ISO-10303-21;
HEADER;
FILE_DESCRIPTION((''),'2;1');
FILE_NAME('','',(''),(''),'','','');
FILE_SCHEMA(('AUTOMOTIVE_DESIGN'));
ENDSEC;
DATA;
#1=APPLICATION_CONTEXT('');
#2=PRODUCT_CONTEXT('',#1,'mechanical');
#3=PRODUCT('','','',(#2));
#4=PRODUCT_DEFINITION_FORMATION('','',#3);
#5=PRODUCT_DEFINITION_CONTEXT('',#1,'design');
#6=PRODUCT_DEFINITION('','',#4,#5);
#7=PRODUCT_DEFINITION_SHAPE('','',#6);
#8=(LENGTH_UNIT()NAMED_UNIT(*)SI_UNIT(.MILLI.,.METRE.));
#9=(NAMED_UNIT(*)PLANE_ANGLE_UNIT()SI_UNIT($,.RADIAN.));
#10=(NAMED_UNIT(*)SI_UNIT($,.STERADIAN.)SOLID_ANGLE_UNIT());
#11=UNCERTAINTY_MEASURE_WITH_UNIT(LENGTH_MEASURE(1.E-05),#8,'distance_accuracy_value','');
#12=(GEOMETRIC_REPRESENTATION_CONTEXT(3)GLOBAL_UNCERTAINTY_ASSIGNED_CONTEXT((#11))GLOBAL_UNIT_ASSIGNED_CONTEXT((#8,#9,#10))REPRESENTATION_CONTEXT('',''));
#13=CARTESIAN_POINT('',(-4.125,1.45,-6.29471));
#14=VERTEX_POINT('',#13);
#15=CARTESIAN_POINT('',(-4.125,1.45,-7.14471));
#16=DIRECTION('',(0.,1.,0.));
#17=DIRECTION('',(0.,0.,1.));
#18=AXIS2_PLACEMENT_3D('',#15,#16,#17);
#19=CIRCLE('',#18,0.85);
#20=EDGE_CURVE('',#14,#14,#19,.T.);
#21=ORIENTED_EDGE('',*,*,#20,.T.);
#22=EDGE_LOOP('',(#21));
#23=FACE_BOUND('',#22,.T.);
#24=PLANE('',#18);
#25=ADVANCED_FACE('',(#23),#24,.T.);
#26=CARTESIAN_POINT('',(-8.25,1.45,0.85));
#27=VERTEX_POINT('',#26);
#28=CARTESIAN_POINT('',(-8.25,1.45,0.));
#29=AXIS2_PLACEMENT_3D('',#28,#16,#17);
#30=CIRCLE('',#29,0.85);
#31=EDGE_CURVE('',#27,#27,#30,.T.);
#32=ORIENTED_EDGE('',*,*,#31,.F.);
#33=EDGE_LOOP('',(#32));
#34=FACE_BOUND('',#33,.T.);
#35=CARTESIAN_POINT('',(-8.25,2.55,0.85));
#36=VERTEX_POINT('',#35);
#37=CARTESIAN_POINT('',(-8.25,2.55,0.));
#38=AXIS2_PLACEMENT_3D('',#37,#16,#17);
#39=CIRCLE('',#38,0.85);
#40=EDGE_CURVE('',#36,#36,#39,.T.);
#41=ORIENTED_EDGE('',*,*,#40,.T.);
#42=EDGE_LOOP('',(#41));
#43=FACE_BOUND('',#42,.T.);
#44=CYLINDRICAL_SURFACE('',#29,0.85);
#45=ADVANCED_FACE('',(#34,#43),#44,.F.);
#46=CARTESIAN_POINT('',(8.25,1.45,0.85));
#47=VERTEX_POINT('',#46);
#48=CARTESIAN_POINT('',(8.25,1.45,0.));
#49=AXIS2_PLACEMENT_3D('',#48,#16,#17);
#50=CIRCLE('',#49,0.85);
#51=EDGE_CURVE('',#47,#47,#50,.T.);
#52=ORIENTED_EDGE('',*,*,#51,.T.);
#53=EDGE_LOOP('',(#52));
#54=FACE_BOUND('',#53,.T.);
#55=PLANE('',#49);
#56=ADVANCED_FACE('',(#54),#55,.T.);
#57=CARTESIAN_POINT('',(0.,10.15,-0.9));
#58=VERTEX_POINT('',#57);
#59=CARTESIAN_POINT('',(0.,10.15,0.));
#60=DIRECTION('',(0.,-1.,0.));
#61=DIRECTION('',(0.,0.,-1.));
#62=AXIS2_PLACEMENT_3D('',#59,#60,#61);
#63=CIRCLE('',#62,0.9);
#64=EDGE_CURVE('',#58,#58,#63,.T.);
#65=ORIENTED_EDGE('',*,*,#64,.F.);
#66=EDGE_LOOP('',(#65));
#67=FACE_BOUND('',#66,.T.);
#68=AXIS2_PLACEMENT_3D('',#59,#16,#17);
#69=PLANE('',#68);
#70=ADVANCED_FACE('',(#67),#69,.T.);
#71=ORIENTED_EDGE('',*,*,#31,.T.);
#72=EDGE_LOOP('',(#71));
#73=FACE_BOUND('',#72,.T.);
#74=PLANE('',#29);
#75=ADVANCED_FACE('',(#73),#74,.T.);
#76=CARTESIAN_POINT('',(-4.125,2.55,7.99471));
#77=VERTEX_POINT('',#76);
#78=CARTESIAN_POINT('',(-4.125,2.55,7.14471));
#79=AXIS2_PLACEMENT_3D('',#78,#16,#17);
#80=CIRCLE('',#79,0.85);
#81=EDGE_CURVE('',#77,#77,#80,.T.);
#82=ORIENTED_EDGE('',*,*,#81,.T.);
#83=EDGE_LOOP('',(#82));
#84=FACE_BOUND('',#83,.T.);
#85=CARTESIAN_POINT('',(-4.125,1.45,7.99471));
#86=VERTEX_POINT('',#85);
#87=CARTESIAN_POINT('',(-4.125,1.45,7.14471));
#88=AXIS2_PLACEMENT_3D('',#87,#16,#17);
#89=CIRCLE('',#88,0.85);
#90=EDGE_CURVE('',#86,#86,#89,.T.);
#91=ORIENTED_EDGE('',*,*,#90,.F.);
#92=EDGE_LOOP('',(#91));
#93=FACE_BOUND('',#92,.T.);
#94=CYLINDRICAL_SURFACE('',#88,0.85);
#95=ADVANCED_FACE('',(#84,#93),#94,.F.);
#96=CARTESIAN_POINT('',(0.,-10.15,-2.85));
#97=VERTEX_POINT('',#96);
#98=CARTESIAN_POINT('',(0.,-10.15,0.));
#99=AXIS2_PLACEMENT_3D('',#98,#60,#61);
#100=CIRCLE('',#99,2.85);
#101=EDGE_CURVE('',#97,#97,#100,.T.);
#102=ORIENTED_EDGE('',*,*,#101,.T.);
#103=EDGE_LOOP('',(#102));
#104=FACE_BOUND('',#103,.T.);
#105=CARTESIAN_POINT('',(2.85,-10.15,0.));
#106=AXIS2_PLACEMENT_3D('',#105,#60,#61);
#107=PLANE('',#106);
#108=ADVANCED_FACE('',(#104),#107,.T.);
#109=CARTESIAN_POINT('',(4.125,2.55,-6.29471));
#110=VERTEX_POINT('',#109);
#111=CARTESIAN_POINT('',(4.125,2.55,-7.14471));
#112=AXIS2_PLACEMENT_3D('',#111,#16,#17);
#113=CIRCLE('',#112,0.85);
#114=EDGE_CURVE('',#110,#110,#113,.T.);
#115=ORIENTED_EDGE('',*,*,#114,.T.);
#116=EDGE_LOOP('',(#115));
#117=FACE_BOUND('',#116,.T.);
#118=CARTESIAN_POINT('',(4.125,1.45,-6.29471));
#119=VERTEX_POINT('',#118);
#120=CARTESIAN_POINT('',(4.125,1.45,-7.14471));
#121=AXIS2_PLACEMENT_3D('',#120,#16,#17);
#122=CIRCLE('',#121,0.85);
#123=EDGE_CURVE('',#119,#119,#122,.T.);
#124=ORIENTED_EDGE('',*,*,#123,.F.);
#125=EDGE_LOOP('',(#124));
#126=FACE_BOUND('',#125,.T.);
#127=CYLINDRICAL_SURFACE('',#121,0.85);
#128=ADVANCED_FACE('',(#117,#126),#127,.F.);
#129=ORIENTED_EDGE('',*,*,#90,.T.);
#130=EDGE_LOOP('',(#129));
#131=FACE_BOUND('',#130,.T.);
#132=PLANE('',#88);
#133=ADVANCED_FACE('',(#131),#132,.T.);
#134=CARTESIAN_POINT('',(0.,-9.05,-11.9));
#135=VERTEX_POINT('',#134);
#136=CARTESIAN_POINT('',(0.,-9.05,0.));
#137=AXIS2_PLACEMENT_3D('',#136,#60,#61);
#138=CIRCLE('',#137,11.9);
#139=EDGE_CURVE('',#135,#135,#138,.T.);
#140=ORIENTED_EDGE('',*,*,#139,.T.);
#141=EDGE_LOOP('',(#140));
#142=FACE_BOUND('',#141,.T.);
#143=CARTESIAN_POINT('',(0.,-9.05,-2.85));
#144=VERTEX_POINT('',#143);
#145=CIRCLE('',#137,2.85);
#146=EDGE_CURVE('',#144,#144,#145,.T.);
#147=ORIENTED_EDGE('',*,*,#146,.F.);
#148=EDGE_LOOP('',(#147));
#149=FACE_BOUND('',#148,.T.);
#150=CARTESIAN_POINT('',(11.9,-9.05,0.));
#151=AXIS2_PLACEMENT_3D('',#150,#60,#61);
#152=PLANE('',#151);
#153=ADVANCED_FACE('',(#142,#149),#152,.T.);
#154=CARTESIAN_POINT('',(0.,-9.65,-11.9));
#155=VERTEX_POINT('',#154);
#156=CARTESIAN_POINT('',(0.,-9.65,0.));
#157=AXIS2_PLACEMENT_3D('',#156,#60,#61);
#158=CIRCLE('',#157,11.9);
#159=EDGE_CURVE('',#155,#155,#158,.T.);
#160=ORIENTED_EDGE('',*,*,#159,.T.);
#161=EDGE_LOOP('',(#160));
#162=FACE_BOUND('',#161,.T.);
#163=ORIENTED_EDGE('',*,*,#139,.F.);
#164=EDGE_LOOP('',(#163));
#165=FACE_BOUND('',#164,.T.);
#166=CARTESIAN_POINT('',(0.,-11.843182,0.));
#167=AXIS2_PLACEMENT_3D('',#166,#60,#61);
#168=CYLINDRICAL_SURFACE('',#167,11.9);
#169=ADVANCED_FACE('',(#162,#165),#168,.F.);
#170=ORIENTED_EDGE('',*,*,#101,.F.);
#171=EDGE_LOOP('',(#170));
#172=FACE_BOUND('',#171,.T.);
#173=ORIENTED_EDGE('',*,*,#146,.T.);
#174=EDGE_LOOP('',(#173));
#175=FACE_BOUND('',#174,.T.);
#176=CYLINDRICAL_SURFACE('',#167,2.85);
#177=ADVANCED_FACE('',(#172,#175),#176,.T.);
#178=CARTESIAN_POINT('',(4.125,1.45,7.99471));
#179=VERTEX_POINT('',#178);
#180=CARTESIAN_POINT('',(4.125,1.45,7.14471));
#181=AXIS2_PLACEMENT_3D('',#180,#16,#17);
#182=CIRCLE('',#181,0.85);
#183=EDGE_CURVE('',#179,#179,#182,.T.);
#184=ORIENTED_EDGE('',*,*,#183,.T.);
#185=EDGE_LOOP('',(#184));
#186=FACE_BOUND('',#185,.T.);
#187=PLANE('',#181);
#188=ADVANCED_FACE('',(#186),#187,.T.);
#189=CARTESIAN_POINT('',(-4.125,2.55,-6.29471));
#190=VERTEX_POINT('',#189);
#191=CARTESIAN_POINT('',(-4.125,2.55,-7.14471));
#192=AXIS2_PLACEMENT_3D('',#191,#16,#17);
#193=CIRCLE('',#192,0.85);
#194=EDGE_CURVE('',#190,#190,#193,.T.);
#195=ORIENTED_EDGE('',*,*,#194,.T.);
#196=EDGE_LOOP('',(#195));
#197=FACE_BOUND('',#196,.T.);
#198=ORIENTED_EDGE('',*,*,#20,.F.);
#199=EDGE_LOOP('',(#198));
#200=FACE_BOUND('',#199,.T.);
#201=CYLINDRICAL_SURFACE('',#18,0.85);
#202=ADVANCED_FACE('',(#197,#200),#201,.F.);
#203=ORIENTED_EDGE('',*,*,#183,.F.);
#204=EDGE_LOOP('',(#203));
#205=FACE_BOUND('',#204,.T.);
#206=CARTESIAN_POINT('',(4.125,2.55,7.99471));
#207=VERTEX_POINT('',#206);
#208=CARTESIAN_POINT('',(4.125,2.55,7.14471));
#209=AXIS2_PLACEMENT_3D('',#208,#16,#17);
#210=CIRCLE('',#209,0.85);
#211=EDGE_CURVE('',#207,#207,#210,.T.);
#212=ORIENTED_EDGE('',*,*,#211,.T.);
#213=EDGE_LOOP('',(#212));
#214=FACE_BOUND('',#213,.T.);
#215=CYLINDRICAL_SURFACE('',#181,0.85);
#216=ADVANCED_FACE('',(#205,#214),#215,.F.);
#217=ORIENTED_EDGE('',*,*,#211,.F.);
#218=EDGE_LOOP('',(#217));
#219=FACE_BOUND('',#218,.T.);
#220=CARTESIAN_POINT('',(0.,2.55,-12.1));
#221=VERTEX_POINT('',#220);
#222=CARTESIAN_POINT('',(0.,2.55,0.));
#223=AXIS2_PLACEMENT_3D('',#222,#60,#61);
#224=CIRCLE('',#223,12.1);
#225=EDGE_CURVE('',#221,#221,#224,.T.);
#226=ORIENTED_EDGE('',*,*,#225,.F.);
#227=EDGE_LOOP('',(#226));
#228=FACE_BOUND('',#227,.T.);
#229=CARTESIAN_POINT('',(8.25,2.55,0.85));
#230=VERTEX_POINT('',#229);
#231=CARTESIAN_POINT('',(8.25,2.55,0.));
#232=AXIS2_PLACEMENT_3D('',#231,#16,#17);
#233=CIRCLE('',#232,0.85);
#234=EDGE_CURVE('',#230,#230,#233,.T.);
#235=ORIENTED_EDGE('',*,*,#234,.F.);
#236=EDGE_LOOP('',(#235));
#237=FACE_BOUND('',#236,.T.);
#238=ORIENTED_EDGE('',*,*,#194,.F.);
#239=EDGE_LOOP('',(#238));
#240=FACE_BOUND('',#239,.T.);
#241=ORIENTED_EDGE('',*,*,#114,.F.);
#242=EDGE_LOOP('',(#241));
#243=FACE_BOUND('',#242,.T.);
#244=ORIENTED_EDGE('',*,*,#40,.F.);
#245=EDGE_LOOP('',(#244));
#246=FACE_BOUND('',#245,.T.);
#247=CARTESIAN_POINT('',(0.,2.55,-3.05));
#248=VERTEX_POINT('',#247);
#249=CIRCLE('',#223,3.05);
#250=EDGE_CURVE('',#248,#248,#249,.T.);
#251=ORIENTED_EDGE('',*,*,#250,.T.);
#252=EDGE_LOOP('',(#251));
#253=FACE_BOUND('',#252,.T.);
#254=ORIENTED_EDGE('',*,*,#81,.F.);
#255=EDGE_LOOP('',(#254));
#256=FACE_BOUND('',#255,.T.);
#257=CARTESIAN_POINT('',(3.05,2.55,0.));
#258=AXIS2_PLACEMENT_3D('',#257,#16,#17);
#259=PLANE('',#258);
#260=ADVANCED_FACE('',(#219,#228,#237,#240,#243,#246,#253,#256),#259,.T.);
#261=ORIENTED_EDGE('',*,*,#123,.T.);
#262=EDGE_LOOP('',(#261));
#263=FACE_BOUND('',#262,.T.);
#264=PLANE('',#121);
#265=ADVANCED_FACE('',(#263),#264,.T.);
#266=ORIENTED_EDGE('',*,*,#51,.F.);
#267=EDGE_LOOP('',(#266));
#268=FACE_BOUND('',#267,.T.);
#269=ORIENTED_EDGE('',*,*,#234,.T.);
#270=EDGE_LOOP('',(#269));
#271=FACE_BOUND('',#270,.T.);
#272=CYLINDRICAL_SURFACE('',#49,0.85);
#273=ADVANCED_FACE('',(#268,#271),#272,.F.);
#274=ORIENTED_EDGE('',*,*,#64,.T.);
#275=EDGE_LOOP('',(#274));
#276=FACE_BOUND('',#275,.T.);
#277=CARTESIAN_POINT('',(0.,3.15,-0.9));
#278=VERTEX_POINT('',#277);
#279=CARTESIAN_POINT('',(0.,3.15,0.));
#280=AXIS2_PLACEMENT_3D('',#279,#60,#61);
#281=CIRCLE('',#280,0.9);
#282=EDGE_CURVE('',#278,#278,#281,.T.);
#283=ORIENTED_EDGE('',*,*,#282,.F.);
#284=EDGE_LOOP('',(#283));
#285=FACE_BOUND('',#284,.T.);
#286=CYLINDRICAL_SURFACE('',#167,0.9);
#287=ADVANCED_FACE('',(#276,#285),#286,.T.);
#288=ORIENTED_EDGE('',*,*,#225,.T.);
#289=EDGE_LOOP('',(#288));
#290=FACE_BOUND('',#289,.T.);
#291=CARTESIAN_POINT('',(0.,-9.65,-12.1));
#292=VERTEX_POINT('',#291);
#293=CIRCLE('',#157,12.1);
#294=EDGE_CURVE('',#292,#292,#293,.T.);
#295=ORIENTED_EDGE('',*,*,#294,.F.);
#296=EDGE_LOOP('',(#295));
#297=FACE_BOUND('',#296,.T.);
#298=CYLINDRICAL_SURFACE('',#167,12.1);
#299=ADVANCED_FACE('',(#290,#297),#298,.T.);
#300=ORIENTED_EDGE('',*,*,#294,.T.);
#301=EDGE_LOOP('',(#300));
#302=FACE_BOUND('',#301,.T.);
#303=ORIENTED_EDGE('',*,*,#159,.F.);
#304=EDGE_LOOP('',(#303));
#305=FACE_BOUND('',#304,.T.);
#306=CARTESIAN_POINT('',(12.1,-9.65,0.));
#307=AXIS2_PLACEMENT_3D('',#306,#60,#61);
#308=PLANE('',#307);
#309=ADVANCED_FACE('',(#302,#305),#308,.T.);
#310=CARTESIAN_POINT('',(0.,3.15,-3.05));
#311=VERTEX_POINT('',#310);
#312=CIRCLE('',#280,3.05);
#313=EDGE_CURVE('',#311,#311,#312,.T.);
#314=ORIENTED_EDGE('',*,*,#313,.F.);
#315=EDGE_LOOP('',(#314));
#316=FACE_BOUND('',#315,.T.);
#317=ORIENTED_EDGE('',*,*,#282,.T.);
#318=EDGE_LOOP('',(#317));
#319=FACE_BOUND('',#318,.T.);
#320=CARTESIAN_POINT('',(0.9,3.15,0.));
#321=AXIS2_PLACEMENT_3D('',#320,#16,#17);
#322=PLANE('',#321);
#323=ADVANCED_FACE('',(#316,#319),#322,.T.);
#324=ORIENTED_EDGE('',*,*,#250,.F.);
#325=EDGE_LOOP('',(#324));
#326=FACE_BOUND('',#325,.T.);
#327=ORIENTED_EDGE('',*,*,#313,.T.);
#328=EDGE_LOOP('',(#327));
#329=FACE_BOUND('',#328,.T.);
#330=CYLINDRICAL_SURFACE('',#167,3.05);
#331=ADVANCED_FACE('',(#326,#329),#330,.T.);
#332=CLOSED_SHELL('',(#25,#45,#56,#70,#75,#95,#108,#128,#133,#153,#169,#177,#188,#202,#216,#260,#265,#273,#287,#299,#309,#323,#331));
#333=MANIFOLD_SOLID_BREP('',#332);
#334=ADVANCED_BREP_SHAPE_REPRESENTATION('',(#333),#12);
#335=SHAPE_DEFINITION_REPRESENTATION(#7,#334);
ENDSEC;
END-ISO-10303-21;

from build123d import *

# Parameters (mm, degrees)
SKETCH2_R          = 0.85
CUT_EXTRUDE1_DEPTH = 1.1


with BuildPart() as part:
    # Sketch1 → Revolve1 (revolve)
    with BuildSketch(Plane.XY, mode=Mode.PRIVATE) as revolve1_sk:
        Polygon((0, -10.15), (0, 10.15), (0.9, 10.15), (0.9, 3.15), (3.05, 3.15), (3.05, 2.55), (12.1, 2.55), (12.1, -9.65), (11.9, -9.65), (11.9, -9.05), (2.85, -9.05), (2.85, -10.15), align=None)
    revolve(revolve1_sk.sketch.rotate(Axis((0, -11.843181818, 0), (0, 1, 0)), 90), axis=Axis((0, -11.843181818, 0), (0, 1, 0)))

    # Sketch2 → Cut-Extrude1 (cut)
    with BuildSketch(Plane(origin=(0, 2.55, 0), x_dir=(1, 0, 0), z_dir=(0, 1, 0))):
        with Locations(Location((-8.25, 0, 0), (0, 0, 270))):
            Circle(SKETCH2_R)
        with Locations(Location((-4.125, 7.144709581, 0), (0, 0, 270))):
            Circle(SKETCH2_R)
        with Locations(Location((4.125, 7.144709581, 0), (0, 0, 270))):
            Circle(SKETCH2_R)
        with Locations(Location((8.25, 0, 0), (0, 0, 270))):
            Circle(SKETCH2_R)
        with Locations(Location((4.125, -7.144709581, 0), (0, 0, 270))):
            Circle(SKETCH2_R)
        with Locations(Location((-4.125, -7.144709581, 0), (0, 0, 270))):
            Circle(SKETCH2_R)
    extrude(amount=-CUT_EXTRUDE1_DEPTH, mode=Mode.SUBTRACT)


solid = part.part
